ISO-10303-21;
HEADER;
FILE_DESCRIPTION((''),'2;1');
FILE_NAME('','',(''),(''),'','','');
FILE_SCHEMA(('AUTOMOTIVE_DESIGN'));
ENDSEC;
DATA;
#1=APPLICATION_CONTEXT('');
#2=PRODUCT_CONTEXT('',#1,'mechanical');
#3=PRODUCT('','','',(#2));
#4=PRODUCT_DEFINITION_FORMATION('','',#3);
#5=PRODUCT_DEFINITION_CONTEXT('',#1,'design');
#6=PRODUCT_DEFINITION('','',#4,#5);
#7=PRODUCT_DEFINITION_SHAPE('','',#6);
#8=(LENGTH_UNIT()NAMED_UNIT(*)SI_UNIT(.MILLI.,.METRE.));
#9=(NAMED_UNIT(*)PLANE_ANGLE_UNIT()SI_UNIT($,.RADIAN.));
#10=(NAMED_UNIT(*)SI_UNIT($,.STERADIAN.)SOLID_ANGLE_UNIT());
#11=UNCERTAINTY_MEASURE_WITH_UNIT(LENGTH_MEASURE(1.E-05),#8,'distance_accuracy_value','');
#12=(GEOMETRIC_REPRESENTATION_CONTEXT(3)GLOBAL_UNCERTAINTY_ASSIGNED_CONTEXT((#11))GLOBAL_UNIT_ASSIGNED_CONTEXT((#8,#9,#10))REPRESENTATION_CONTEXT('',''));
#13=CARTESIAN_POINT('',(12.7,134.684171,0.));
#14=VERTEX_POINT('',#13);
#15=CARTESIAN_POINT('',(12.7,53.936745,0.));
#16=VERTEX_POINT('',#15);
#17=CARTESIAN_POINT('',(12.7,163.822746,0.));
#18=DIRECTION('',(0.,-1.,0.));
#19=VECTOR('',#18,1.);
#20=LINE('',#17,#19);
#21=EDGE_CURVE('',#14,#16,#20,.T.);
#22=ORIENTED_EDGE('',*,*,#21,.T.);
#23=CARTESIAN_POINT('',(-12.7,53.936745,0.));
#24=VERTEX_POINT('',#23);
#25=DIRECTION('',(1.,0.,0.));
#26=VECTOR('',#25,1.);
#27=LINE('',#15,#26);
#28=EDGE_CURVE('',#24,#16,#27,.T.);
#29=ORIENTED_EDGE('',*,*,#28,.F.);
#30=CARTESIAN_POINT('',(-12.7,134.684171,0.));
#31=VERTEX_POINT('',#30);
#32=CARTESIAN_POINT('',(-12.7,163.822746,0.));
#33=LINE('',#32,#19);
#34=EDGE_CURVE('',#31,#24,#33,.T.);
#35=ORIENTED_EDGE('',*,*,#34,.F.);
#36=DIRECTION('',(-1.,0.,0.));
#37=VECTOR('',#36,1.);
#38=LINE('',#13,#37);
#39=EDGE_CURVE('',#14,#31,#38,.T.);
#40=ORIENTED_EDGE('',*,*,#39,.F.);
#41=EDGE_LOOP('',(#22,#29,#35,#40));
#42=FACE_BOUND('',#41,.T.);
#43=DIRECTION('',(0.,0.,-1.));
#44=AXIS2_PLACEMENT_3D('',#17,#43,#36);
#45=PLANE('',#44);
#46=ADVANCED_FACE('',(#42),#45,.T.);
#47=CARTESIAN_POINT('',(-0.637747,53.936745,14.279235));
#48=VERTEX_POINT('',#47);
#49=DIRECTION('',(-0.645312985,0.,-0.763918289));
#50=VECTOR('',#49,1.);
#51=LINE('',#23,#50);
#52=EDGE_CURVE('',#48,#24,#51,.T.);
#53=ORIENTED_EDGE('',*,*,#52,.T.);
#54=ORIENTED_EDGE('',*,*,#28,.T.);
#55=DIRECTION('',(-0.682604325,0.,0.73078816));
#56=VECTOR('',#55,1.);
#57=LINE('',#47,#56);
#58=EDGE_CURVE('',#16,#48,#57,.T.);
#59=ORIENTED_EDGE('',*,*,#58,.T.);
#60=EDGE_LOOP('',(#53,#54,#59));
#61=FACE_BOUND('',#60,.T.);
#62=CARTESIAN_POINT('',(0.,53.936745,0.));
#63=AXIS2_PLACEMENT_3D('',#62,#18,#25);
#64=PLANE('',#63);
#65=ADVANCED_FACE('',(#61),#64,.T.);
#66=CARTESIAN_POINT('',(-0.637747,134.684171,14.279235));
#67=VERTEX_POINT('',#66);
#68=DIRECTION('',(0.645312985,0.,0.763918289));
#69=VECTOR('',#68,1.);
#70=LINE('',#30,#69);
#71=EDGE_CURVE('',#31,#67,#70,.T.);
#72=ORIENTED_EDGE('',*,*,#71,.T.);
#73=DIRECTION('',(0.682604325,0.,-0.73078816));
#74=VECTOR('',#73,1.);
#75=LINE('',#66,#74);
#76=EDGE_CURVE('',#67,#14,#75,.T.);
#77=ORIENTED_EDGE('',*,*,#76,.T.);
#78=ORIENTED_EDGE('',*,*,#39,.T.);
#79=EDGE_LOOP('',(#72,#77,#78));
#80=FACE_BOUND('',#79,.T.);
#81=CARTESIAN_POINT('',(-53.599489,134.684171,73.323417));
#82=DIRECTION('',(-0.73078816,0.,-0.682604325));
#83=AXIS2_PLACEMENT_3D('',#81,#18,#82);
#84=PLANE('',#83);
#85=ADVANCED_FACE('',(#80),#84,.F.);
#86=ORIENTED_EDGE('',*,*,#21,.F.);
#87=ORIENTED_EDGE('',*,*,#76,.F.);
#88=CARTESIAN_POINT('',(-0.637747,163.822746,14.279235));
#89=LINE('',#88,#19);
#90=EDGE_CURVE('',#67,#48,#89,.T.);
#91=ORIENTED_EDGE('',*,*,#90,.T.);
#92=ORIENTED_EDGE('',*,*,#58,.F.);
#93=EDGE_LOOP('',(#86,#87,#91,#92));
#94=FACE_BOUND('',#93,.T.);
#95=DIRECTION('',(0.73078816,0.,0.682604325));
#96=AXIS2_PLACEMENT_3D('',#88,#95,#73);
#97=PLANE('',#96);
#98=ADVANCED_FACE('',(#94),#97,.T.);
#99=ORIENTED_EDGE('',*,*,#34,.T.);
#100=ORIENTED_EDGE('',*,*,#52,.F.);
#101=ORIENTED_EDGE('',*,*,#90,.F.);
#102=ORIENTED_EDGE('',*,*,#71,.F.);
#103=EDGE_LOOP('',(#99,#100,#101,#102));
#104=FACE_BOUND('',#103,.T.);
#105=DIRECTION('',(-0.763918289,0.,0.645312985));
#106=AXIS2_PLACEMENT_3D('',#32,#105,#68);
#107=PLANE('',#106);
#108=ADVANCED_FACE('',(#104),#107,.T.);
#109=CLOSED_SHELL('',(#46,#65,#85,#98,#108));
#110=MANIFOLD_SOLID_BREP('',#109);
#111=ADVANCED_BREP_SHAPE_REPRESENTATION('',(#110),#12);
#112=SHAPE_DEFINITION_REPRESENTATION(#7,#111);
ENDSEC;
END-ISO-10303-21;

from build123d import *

# Parameters (mm, degrees)
BOSS_EXTRUDE1_DEPTH = 80.747426435


with BuildPart() as part:
    # Sketch3 → Boss-Extrude1 (new body)
    with BuildSketch(Plane(origin=(0, 53.936744921, 0), x_dir=(-1, 0, 0), z_dir=(0, -1, 0))):
        Polygon((-12.700000006, 7e-09), (12.7, 0), (0.63774693, -14.279234949), align=None)
    extrude(amount=-BOSS_EXTRUDE1_DEPTH)


solid = part.part
